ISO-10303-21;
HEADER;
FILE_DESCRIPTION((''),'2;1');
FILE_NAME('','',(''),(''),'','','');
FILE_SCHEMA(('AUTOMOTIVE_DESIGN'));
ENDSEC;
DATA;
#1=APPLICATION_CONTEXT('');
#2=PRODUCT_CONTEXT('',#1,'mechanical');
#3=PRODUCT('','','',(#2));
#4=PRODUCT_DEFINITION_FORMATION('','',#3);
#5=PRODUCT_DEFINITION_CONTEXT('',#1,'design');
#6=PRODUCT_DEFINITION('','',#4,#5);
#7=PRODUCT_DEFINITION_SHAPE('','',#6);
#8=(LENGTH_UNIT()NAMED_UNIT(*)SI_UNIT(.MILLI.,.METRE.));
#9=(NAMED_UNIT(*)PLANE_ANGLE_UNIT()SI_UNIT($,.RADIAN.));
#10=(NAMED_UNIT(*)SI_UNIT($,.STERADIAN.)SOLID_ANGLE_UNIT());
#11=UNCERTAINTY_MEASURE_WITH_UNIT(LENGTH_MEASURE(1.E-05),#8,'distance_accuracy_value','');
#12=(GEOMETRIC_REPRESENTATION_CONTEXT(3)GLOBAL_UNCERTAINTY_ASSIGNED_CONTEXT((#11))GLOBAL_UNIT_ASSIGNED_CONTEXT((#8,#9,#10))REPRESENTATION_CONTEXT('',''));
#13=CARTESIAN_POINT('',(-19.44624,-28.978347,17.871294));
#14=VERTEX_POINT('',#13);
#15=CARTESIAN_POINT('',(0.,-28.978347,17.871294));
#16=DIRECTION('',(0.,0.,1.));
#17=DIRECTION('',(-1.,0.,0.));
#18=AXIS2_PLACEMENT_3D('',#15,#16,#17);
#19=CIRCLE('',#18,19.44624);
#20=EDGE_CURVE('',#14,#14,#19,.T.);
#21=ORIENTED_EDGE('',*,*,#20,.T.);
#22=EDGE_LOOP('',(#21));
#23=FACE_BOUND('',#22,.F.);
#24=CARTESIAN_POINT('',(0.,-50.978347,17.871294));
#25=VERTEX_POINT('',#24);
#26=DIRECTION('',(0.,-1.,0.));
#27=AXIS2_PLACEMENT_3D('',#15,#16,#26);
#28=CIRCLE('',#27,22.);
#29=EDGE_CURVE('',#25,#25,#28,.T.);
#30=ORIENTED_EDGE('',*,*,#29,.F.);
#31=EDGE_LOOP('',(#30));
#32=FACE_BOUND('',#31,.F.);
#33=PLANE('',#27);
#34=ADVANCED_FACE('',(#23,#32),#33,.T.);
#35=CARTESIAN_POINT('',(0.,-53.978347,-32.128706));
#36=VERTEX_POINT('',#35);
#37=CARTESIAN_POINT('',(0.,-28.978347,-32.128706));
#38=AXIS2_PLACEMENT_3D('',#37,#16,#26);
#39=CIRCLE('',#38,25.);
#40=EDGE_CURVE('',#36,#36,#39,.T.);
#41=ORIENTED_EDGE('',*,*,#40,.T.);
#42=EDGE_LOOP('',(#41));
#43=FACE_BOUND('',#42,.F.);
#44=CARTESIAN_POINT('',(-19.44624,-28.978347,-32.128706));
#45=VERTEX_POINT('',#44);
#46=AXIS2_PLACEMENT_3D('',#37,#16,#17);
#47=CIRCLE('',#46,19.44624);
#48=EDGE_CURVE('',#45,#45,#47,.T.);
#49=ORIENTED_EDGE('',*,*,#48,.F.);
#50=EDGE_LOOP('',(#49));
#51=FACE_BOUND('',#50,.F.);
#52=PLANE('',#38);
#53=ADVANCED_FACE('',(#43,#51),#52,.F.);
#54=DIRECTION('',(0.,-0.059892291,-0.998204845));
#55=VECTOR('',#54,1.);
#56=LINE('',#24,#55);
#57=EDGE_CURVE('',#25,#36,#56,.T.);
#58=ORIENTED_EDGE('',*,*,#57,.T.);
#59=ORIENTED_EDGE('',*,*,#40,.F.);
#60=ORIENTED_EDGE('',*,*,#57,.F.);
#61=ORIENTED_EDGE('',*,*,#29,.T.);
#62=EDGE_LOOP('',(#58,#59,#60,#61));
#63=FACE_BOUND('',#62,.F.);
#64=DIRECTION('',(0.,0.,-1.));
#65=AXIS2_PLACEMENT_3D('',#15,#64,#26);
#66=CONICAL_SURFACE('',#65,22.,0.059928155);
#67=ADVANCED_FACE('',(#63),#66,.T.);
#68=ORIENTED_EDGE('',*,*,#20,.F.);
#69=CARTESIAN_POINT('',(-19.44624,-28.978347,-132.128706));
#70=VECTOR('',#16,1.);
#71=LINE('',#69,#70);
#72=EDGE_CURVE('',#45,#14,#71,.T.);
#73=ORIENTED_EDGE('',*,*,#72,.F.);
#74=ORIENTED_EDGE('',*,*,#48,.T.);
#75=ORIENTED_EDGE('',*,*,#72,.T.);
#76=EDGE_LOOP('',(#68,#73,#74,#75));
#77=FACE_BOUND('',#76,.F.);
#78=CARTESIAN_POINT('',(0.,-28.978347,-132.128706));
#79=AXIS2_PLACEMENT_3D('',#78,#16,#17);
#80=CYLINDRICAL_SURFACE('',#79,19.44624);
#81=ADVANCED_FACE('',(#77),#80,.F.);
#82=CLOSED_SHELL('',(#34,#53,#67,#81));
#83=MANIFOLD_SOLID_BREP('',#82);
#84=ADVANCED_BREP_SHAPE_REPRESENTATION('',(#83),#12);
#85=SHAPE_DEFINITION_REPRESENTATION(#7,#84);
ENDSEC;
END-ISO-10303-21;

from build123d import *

# Parameters (mm, degrees)
F3_D     = 38.89248
F3_DEPTH = 100
F3_TIP   = 11.6844798042


with BuildPart() as f1:
    # F0 (on Right) → F1 (revolve)
    with BuildSketch(Plane.YZ):
        Polygon((-50.9783465572, 17.8712944157), (-53.9783465572, -32.1287055843), (-28.9783465572, -32.1287055843), (-28.9783465572, 17.8712944157), align=None)
    revolve(axis=Axis((0, -28.9783465572, -7.1287055843), (0, 0, 1)))

    # F3
    with Locations(Plane(origin=(0, 0, -32.1287055843), x_dir=(1, 0, 0), z_dir=(0, 0, -1))):
        with Locations((0, 28.9783465572)):
            Hole(F3_D / 2, depth=F3_DEPTH)
            with Locations((0, 0, -(F3_DEPTH + F3_TIP / 2))):  # 118° drill point
                Cone(0, F3_D / 2, F3_TIP, mode=Mode.SUBTRACT)


solid = f1.part
